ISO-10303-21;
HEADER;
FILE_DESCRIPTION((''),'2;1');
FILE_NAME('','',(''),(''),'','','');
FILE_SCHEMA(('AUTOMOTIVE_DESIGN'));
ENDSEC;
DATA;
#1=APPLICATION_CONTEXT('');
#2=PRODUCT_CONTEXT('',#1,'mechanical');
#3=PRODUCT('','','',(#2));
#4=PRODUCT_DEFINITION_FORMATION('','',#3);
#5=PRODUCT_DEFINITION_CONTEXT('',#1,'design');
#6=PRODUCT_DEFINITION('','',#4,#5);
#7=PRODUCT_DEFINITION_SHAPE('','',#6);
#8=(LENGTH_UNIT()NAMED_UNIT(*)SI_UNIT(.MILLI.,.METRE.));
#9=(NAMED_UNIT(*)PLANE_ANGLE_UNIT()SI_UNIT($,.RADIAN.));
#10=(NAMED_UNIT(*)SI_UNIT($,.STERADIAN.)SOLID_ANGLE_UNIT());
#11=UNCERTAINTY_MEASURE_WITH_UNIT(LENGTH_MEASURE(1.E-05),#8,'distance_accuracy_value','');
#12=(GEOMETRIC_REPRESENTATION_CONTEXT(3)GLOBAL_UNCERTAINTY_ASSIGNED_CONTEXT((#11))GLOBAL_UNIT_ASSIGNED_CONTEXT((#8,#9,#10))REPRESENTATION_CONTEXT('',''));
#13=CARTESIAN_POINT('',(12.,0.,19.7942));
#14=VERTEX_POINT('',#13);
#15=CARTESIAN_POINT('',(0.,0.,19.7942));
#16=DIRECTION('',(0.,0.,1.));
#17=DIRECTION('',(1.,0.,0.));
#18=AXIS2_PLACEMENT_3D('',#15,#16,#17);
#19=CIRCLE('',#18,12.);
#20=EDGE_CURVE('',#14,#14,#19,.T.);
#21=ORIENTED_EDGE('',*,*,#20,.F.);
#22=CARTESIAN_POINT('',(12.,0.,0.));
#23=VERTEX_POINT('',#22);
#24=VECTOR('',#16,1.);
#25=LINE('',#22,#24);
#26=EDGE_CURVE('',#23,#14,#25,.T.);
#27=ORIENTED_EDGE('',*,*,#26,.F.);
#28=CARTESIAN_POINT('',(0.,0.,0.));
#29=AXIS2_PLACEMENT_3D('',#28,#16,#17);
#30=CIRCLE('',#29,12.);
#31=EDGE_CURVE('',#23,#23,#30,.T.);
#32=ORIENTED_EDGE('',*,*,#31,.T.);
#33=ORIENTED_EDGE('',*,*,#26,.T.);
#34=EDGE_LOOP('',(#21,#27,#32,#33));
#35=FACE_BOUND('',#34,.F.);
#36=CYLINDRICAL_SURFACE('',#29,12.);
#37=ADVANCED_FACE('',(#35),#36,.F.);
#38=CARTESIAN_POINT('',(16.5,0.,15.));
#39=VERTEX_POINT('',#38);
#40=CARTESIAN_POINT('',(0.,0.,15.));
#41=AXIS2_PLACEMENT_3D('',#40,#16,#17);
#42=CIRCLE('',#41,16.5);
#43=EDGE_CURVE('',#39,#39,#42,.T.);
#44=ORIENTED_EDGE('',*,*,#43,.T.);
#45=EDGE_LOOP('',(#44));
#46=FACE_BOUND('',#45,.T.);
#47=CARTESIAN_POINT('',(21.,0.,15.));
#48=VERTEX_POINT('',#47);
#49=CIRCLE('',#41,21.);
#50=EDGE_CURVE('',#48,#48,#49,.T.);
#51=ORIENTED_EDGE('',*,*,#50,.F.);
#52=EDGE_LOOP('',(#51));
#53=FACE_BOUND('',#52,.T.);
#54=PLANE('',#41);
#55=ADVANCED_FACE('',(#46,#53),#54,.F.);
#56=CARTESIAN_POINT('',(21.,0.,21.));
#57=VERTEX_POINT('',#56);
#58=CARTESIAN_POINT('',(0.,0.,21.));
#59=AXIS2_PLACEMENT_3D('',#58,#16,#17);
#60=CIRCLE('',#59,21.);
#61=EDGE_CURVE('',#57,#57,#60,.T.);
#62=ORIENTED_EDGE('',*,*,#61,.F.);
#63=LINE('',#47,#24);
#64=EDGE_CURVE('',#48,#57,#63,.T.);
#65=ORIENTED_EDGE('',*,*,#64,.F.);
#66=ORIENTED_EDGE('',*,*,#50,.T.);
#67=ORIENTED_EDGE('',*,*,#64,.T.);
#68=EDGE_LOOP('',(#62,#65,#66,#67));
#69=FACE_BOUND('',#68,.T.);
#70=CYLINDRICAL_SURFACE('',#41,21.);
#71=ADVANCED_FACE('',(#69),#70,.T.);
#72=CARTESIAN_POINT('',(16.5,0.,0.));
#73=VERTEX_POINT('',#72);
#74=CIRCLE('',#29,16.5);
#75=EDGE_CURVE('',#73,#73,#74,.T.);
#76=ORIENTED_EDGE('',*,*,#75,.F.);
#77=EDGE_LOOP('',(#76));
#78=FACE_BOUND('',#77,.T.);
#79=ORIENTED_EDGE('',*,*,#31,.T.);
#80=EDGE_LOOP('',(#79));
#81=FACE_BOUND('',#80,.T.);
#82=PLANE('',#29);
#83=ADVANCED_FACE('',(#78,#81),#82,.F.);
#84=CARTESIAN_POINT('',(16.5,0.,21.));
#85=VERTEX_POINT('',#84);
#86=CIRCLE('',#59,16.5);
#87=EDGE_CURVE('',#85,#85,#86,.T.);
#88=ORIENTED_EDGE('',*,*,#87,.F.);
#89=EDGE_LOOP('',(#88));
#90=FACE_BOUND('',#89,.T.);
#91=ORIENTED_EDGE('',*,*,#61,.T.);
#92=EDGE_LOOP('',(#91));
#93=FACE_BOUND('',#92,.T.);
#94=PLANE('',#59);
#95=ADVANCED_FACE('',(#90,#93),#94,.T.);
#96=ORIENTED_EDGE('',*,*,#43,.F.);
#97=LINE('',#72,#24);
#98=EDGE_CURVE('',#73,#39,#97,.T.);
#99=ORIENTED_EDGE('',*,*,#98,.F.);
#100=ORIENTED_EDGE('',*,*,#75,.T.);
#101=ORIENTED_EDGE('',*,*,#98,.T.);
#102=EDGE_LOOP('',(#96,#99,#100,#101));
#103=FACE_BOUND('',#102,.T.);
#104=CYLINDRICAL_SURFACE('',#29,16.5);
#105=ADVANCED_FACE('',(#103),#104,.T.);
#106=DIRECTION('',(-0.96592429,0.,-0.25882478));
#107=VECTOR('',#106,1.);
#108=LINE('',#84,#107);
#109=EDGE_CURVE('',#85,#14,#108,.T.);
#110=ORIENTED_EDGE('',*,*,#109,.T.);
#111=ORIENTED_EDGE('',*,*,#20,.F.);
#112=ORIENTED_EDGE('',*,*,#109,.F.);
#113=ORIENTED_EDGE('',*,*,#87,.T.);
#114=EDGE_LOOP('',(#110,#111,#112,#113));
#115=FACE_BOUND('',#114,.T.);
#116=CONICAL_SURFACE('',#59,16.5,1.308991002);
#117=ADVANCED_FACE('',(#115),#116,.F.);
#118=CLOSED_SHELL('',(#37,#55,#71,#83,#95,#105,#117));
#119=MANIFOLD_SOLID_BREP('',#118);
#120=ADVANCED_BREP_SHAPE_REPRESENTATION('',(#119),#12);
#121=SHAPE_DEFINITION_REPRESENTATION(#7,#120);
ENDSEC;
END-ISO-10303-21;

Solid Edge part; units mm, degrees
sketch "Sketch1" plane through (0, 0, 0) normal (0, -1, 0) x (1, 0, 0)
  line L0 (16.5, 0) -> (16.5, 15)
  line L1 (16.5, 15) -> (21, 15)
  line L2 (21, 15) -> (21, 21)
  line L3 (21, 21) -> (16.5, 21)
  line L4 (16.5, 21) -> (12, 19.7942)
  line L5 (12, 0) -> (12, 19.7942)
  line L6 (12, 0) -> (16.5, 0)
revolve "RevolvedProtrusion1" add sketch "Sketch1" angle 360 about axis through (0, 0, 0) along (0, 0, 1)
properties material "Brass, yellow brass"
